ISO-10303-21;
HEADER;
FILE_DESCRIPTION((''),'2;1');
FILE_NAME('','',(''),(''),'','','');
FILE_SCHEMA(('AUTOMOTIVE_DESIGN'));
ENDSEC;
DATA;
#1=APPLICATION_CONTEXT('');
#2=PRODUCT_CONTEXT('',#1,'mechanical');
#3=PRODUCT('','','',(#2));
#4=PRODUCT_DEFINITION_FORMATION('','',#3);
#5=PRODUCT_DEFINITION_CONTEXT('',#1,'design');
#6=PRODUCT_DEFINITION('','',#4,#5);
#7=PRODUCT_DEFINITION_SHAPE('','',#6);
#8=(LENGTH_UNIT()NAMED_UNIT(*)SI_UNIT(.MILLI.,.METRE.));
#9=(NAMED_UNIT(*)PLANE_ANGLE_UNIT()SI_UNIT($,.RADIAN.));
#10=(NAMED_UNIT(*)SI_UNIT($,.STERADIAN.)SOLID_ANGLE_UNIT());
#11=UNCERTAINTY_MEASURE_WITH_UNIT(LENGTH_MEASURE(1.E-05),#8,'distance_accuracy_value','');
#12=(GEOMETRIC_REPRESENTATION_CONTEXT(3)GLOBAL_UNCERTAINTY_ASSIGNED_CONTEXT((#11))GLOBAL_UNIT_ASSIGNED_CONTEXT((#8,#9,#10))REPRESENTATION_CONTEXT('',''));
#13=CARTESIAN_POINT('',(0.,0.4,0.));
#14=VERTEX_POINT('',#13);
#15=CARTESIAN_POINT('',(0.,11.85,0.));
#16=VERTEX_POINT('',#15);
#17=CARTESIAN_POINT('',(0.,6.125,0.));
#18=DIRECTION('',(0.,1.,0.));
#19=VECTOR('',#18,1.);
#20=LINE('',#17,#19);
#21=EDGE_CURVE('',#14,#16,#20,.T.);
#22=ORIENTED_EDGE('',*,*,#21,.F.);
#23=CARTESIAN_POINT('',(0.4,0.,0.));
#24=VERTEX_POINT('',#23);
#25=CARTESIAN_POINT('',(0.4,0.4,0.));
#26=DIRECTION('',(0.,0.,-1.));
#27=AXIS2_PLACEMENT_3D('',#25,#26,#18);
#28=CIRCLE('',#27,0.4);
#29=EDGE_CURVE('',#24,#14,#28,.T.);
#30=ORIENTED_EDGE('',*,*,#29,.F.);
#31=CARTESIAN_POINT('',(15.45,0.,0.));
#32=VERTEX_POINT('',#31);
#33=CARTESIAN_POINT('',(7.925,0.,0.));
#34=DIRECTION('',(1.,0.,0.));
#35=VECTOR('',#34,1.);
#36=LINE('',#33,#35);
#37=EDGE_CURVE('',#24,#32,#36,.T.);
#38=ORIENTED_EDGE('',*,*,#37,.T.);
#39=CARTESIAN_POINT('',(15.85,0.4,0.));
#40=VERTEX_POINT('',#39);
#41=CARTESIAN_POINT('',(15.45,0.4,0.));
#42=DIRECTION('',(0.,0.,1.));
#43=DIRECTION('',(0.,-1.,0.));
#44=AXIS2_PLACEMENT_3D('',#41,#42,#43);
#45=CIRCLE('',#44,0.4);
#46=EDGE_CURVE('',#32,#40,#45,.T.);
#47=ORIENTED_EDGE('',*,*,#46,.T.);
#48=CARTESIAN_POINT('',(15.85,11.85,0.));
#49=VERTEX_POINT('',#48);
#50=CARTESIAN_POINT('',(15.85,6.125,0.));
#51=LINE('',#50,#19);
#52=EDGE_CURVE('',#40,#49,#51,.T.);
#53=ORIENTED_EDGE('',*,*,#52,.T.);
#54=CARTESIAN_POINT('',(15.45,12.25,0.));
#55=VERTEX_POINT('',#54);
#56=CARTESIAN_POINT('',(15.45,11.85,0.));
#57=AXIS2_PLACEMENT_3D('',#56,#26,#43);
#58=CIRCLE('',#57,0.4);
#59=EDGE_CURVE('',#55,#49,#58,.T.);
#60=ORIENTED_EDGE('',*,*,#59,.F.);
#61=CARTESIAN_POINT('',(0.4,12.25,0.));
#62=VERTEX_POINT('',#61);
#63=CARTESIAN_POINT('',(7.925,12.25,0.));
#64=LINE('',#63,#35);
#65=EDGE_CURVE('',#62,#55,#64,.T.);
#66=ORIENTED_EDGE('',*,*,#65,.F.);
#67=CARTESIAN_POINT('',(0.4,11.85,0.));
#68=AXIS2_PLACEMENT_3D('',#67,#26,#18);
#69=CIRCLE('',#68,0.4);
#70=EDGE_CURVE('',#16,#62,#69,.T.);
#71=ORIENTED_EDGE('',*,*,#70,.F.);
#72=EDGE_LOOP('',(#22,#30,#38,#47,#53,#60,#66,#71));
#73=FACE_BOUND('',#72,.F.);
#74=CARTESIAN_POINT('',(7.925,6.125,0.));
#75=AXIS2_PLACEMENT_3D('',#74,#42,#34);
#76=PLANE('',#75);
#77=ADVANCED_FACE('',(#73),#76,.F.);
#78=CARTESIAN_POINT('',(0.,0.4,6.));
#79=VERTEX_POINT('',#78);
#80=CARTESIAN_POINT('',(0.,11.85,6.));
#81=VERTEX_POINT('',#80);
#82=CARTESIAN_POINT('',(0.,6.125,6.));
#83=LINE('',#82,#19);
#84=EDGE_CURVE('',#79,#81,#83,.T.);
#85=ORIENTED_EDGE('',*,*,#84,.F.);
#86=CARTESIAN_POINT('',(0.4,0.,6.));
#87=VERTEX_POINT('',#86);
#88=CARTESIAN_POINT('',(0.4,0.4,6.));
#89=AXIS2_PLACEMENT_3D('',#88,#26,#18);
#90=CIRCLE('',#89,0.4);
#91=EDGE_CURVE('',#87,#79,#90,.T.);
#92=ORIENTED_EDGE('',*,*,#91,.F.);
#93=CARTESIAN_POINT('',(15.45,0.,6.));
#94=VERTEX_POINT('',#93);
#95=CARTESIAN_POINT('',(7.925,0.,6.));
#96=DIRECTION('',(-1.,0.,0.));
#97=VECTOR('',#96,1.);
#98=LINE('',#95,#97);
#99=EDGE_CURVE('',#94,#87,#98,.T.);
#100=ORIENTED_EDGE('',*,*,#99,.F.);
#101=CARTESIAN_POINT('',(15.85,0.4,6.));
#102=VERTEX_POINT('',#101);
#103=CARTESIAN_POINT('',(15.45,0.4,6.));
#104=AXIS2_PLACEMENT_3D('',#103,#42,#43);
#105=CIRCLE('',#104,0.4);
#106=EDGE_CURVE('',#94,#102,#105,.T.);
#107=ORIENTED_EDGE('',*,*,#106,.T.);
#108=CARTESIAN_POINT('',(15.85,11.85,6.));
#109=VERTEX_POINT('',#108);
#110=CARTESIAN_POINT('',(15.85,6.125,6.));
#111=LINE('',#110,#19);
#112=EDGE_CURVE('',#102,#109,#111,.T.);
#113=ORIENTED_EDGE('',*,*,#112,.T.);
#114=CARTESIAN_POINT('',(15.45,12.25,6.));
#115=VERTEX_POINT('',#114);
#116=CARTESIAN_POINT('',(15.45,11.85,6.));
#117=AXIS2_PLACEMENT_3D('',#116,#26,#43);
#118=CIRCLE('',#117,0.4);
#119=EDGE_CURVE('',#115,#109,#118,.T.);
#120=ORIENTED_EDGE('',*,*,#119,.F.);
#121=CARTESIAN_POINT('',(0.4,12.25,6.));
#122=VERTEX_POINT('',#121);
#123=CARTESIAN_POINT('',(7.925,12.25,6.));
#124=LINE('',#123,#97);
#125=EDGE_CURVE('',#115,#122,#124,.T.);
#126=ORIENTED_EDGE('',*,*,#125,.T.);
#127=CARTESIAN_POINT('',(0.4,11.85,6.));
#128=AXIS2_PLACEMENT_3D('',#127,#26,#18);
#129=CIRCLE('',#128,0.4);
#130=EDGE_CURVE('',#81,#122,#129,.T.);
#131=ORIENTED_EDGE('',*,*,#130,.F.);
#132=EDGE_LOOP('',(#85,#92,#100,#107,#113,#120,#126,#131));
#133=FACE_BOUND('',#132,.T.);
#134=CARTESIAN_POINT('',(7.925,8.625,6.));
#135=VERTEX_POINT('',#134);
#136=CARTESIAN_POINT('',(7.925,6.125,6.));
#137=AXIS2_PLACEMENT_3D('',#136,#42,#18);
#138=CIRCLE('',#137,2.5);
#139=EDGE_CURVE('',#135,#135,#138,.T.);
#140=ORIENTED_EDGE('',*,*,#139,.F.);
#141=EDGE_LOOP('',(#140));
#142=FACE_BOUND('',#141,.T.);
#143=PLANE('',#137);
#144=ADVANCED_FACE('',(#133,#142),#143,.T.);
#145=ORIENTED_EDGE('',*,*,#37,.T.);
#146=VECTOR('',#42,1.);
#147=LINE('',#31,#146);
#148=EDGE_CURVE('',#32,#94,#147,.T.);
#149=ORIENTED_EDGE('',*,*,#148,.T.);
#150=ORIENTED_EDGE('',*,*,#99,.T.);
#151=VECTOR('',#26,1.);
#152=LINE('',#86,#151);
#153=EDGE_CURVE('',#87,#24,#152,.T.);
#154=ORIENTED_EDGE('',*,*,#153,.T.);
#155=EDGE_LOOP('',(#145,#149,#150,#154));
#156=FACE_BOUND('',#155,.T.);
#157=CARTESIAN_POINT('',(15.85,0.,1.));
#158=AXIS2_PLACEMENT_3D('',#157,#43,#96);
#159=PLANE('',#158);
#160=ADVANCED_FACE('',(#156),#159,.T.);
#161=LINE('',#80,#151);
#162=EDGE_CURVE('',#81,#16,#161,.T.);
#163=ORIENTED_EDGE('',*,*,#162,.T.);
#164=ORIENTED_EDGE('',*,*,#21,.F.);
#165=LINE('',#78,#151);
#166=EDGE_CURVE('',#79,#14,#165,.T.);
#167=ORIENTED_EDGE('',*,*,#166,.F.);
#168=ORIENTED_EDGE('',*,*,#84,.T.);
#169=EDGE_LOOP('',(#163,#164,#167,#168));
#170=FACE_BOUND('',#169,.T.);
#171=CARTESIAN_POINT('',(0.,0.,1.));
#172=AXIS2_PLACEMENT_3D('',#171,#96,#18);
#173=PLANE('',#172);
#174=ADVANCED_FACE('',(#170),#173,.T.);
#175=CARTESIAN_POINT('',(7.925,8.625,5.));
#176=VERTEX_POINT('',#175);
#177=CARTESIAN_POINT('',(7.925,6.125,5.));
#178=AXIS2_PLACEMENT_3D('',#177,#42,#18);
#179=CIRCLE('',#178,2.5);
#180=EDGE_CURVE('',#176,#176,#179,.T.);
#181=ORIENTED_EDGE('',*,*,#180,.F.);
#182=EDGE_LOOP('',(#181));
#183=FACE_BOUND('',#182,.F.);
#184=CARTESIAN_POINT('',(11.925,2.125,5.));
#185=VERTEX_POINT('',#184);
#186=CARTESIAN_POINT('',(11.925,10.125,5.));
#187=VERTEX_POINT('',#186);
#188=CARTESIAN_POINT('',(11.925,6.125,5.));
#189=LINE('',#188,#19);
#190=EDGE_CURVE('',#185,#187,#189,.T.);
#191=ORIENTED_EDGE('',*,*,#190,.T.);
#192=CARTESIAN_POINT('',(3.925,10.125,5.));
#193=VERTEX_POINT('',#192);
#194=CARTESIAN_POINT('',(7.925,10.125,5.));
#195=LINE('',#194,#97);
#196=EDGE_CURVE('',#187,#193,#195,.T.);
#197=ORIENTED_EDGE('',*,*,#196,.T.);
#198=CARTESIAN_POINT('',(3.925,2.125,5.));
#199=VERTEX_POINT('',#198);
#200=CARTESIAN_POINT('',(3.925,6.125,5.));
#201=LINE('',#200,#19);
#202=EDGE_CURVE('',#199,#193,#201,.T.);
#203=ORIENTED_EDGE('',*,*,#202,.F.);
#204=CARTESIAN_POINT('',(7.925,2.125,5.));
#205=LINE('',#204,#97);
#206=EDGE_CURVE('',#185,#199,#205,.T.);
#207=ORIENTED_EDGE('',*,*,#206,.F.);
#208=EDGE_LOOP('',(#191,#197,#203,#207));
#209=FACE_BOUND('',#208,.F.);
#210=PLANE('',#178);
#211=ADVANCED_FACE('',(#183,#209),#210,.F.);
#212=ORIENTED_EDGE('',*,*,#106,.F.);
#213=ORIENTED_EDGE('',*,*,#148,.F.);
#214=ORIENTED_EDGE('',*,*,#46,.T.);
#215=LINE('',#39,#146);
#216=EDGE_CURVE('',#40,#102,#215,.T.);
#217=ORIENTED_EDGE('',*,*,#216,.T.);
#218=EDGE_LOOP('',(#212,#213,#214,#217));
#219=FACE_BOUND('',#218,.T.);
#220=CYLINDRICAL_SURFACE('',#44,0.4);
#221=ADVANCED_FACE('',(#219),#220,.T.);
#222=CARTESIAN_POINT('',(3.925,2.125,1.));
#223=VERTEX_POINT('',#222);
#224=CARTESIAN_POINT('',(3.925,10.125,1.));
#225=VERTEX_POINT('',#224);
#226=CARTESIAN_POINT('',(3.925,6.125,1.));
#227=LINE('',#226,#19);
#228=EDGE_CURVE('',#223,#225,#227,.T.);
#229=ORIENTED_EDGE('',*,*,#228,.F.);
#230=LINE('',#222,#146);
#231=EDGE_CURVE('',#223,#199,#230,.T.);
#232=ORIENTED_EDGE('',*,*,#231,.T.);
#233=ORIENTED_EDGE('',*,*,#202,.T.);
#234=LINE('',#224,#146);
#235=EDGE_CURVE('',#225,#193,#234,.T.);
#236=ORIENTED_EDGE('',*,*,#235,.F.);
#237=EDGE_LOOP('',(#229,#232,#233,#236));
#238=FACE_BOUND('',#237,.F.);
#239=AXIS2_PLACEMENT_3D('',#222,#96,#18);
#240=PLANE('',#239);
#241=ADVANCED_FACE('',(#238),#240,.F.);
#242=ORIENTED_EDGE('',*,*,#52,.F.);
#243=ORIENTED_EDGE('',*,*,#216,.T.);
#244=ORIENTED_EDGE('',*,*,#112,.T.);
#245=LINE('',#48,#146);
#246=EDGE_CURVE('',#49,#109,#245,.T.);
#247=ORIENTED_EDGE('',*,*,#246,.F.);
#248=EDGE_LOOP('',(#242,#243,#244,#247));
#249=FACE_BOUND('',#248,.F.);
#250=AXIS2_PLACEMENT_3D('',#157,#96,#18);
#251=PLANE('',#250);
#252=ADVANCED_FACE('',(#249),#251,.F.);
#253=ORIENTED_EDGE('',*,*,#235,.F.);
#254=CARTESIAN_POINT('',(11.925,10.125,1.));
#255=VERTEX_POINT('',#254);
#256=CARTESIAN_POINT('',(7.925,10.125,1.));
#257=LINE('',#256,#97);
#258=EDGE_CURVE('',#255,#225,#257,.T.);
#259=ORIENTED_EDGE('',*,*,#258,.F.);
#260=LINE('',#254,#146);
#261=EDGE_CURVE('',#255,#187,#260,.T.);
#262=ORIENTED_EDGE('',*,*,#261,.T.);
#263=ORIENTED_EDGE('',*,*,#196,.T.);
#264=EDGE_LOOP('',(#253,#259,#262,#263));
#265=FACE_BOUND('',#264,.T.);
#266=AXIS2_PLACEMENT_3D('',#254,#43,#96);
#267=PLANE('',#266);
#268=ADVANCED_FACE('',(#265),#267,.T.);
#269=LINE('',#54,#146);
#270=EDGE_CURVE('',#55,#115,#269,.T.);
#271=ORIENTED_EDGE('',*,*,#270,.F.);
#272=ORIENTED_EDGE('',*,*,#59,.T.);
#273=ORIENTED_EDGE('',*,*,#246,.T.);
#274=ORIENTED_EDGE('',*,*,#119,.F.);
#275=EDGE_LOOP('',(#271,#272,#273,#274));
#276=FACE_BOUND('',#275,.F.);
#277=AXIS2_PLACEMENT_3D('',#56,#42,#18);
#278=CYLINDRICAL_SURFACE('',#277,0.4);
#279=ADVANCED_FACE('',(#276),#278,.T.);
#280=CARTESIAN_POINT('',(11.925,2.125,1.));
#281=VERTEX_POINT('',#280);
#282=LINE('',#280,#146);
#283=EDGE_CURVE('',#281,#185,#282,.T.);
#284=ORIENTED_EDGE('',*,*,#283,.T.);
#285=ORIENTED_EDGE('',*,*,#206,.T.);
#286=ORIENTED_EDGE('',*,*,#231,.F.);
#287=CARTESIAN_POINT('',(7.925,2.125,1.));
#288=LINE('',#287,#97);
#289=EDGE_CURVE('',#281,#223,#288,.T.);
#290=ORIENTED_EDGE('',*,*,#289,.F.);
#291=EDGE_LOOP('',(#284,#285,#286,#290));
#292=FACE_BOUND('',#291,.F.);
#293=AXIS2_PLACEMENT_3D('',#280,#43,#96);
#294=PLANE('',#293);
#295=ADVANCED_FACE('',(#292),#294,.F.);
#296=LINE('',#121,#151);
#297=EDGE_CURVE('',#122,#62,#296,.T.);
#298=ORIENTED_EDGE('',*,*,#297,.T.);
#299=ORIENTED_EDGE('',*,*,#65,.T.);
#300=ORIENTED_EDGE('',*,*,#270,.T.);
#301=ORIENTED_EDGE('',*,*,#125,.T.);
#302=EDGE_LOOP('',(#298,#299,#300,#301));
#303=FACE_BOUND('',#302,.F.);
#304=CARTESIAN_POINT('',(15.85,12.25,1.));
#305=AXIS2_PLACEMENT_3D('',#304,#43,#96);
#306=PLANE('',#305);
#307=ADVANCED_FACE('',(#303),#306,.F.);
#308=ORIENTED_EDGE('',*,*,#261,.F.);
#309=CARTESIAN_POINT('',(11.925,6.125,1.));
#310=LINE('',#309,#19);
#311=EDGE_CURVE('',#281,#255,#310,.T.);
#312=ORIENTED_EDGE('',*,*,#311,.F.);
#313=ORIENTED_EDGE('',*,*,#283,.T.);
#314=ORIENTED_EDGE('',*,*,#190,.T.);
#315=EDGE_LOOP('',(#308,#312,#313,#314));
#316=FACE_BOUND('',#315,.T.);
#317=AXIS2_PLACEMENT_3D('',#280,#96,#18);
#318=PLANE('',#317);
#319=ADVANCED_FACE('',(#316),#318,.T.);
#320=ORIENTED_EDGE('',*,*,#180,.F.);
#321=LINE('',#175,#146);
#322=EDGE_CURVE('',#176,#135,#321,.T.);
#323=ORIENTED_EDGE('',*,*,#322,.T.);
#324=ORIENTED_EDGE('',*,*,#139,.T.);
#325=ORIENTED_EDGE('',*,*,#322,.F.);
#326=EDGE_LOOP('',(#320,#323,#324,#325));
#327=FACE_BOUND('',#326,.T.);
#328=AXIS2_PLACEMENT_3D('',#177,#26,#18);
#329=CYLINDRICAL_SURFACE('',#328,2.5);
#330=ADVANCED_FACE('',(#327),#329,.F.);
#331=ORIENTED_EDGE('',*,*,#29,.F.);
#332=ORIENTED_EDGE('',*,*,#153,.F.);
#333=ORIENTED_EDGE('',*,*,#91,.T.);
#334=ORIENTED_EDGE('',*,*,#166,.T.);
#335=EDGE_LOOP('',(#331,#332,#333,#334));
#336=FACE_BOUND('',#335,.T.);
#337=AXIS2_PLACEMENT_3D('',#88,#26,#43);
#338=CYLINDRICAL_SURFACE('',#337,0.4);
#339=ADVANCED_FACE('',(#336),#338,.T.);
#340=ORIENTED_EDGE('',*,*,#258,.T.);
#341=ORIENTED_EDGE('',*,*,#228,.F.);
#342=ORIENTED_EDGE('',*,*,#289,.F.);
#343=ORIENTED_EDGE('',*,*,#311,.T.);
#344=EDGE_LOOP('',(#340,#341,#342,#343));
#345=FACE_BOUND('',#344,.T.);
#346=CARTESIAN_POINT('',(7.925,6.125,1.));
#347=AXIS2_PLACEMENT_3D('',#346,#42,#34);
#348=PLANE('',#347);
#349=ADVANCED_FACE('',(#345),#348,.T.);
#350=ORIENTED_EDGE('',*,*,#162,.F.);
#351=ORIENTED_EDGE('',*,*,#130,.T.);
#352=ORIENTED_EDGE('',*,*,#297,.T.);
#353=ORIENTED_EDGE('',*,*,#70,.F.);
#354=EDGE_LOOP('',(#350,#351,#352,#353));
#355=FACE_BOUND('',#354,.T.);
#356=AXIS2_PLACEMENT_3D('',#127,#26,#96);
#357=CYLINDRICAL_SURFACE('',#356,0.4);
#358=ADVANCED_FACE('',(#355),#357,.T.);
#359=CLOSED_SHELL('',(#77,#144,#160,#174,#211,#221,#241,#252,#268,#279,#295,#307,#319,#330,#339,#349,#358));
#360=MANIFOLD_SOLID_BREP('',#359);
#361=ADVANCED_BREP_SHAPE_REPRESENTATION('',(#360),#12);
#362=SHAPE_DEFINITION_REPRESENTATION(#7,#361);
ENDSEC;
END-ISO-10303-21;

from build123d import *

# Parameters (mm, degrees)
FACE001_W        = 12.25
FACE001_H        = 15.85
FACE001_W_2      = 8
FACE001_H_2      = 8
EXTRUDE001_DEPTH = 4
SKETCH_W         = 15.85
SKETCH_H         = 12.25
EXTRUDE_DEPTH    = 1
FACE002_W        = 12.25
FACE002_H        = 15.85
FACE002_R        = 2.5
EXTRUDE002_DEPTH = 1
FILLET_R         = 0.4


with BuildPart() as extrude001:
    # Face001 → Extrude001 (new body)
    with BuildSketch(Plane(origin=(7.925, 6.125, 1), x_dir=(0, 1, 0), z_dir=(0, 0, 1))):
        Rectangle(FACE001_W, FACE001_H)
        Rectangle(FACE001_W_2, FACE001_H_2, mode=Mode.SUBTRACT)
    extrude(amount=EXTRUDE001_DEPTH)


with BuildPart() as fusion:
    # Sketch → Extrude (new body)
    with BuildSketch(Plane.XY):
        with Locations((7.925, 6.125)):
            Rectangle(SKETCH_W, SKETCH_H)
    extrude(amount=EXTRUDE_DEPTH)

    # Fusion: union Extrude001
    add(extrude001.part)


with BuildPart() as fillet_body:
    # Face002 → Extrude002 (new body)
    with BuildSketch(Plane(origin=(7.925, 6.125, 5), x_dir=(0, 1, 0), z_dir=(0, 0, 1))):
        Rectangle(FACE002_W, FACE002_H)
        Circle(FACE002_R, mode=Mode.SUBTRACT)
    extrude(amount=EXTRUDE002_DEPTH)

    # Fusion001: union Fusion
    add(fusion.part)

    # Fillet
    fillet_edges = [fillet_body.edges().sort_by_distance(p)[0] for p in [
        (15.85, 12.25, 5.5),
        (0, 12.25, 5.5),
        (15.85, 0, 5.5),
        (0, 0, 5.5),
        (15.85, 12.25, 3),
        (0, 12.25, 3),
        (15.85, 0, 3),
        (0, 0, 3),
        (15.85, 12.25, 0.5),
        (0, 12.25, 0.5),
        (15.85, 0, 0.5),
        (0, 0, 0.5),
    ]]
    fillet(fillet_edges, radius=FILLET_R)


solid = fillet_body.part
